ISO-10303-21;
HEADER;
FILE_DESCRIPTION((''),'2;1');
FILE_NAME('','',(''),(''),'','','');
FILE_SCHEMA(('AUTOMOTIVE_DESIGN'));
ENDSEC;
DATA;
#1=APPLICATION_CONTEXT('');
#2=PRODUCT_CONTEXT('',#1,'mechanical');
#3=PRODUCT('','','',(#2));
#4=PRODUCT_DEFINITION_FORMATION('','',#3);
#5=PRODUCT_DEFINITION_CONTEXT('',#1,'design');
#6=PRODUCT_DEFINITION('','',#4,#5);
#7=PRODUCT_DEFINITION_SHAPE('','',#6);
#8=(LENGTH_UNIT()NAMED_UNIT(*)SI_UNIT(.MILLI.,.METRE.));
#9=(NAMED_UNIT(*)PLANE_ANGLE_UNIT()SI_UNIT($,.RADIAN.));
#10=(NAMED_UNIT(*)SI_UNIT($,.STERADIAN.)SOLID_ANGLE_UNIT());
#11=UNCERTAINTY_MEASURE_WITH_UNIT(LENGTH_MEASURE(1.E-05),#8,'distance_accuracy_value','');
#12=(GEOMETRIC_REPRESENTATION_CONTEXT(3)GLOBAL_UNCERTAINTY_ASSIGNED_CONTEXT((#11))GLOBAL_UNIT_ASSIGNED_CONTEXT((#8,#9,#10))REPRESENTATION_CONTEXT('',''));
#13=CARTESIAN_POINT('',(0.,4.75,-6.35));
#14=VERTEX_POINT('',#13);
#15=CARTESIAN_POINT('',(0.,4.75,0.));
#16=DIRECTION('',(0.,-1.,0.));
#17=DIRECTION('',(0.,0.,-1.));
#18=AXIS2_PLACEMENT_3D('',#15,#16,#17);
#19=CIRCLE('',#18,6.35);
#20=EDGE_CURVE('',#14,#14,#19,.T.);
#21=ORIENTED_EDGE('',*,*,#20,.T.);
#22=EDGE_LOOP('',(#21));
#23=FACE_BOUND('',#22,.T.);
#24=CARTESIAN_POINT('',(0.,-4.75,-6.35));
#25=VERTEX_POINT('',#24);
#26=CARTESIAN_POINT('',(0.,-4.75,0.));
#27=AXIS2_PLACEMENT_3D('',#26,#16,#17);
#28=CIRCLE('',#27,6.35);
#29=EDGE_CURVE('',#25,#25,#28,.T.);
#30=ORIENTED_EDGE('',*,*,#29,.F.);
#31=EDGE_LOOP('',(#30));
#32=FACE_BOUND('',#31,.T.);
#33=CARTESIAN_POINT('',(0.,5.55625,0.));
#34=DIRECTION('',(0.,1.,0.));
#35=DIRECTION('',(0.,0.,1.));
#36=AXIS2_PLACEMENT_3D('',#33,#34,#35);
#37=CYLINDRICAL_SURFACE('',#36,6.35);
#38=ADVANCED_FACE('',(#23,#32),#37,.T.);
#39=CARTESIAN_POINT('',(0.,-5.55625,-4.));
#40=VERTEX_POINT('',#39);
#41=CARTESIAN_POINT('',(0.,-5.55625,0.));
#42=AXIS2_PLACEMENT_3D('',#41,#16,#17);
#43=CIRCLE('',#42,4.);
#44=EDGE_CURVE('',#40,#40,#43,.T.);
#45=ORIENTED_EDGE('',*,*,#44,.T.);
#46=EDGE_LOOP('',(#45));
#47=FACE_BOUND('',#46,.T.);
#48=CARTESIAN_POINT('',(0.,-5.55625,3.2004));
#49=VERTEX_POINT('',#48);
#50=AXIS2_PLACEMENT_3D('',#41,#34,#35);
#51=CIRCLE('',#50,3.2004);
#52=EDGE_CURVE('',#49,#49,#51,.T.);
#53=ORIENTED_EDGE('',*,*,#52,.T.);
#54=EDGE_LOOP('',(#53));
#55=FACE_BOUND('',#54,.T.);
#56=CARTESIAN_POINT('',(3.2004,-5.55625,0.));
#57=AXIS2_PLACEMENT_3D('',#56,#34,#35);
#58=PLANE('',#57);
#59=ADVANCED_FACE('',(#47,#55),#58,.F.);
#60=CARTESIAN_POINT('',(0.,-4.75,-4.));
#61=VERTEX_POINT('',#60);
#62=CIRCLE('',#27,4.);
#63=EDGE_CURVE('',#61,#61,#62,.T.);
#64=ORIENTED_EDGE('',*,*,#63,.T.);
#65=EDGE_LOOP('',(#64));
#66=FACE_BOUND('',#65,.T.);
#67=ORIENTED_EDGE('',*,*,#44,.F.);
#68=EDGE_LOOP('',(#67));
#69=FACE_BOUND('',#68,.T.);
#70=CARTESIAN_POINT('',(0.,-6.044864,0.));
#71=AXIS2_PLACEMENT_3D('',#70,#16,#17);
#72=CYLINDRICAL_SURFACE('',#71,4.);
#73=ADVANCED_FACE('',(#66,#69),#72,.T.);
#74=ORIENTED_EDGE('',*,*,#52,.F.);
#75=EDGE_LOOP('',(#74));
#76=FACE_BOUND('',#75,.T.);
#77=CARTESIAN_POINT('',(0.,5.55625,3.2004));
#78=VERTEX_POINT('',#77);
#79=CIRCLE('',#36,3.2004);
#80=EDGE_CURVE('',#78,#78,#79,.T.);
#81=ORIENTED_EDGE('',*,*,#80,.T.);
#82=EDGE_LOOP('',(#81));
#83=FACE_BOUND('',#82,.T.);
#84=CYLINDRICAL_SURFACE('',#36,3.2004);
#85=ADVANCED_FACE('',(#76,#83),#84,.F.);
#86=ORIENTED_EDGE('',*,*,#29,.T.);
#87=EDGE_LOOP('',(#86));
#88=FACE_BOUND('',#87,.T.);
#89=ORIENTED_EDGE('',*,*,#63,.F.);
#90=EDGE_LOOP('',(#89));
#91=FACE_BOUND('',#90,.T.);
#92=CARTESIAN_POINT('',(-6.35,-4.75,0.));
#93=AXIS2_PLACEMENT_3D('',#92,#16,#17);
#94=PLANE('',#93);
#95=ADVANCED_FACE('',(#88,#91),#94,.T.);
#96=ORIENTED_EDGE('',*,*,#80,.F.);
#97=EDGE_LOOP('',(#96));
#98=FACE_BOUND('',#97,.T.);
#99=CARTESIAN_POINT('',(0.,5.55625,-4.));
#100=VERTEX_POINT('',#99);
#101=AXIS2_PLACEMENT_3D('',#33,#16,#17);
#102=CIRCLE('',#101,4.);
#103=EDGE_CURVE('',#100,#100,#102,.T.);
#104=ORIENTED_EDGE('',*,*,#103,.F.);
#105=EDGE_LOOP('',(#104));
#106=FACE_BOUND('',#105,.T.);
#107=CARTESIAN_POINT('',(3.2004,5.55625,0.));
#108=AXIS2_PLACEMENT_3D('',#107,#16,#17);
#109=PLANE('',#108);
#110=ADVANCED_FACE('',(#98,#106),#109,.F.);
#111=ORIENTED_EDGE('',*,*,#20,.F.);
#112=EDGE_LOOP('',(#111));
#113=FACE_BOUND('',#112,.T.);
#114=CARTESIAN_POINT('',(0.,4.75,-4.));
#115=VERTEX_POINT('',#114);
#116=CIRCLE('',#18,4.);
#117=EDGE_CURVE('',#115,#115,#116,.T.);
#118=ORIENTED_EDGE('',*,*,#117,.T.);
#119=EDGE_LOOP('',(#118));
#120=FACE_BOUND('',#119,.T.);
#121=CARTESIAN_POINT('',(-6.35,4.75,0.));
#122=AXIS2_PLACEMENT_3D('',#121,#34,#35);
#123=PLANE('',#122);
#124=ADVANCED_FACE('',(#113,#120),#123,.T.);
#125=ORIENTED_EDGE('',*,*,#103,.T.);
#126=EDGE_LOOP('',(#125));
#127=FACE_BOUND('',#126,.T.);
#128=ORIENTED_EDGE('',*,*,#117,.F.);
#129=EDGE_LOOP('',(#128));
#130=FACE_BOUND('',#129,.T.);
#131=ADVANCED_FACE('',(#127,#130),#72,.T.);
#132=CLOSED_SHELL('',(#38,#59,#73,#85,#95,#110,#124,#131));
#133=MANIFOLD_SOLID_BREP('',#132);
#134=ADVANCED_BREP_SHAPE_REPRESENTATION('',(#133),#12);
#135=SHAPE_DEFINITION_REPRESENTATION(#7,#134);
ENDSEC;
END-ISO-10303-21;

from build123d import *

# Parameters (mm, degrees)
SKETCH1_W = 3.1496
SKETCH1_H = 11.1125
SKETCH2_W = 2.35
SKETCH2_H = 0.80625


with BuildPart() as part:
    # Sketch1 → Revolve1 (revolve)
    with BuildSketch(Plane.XY):
        with Locations((4.7752, 0)):
            Rectangle(SKETCH1_W, SKETCH1_H)
    revolve(axis=Axis((0, 5.55625, 0), (0, -1, 0)))

    # Sketch2 → Cut-Revolve1 (revolve, cut)
    with BuildSketch(Plane.XY):
        with Locations((-5.175, 5.153125)):
            Rectangle(SKETCH2_W, SKETCH2_H)
        with Locations((-5.175, -5.153125)):
            Rectangle(SKETCH2_W, SKETCH2_H)
    revolve(axis=Axis((0, -6.044864414, 0), (0, 1, 0)), mode=Mode.SUBTRACT)


solid = part.part
